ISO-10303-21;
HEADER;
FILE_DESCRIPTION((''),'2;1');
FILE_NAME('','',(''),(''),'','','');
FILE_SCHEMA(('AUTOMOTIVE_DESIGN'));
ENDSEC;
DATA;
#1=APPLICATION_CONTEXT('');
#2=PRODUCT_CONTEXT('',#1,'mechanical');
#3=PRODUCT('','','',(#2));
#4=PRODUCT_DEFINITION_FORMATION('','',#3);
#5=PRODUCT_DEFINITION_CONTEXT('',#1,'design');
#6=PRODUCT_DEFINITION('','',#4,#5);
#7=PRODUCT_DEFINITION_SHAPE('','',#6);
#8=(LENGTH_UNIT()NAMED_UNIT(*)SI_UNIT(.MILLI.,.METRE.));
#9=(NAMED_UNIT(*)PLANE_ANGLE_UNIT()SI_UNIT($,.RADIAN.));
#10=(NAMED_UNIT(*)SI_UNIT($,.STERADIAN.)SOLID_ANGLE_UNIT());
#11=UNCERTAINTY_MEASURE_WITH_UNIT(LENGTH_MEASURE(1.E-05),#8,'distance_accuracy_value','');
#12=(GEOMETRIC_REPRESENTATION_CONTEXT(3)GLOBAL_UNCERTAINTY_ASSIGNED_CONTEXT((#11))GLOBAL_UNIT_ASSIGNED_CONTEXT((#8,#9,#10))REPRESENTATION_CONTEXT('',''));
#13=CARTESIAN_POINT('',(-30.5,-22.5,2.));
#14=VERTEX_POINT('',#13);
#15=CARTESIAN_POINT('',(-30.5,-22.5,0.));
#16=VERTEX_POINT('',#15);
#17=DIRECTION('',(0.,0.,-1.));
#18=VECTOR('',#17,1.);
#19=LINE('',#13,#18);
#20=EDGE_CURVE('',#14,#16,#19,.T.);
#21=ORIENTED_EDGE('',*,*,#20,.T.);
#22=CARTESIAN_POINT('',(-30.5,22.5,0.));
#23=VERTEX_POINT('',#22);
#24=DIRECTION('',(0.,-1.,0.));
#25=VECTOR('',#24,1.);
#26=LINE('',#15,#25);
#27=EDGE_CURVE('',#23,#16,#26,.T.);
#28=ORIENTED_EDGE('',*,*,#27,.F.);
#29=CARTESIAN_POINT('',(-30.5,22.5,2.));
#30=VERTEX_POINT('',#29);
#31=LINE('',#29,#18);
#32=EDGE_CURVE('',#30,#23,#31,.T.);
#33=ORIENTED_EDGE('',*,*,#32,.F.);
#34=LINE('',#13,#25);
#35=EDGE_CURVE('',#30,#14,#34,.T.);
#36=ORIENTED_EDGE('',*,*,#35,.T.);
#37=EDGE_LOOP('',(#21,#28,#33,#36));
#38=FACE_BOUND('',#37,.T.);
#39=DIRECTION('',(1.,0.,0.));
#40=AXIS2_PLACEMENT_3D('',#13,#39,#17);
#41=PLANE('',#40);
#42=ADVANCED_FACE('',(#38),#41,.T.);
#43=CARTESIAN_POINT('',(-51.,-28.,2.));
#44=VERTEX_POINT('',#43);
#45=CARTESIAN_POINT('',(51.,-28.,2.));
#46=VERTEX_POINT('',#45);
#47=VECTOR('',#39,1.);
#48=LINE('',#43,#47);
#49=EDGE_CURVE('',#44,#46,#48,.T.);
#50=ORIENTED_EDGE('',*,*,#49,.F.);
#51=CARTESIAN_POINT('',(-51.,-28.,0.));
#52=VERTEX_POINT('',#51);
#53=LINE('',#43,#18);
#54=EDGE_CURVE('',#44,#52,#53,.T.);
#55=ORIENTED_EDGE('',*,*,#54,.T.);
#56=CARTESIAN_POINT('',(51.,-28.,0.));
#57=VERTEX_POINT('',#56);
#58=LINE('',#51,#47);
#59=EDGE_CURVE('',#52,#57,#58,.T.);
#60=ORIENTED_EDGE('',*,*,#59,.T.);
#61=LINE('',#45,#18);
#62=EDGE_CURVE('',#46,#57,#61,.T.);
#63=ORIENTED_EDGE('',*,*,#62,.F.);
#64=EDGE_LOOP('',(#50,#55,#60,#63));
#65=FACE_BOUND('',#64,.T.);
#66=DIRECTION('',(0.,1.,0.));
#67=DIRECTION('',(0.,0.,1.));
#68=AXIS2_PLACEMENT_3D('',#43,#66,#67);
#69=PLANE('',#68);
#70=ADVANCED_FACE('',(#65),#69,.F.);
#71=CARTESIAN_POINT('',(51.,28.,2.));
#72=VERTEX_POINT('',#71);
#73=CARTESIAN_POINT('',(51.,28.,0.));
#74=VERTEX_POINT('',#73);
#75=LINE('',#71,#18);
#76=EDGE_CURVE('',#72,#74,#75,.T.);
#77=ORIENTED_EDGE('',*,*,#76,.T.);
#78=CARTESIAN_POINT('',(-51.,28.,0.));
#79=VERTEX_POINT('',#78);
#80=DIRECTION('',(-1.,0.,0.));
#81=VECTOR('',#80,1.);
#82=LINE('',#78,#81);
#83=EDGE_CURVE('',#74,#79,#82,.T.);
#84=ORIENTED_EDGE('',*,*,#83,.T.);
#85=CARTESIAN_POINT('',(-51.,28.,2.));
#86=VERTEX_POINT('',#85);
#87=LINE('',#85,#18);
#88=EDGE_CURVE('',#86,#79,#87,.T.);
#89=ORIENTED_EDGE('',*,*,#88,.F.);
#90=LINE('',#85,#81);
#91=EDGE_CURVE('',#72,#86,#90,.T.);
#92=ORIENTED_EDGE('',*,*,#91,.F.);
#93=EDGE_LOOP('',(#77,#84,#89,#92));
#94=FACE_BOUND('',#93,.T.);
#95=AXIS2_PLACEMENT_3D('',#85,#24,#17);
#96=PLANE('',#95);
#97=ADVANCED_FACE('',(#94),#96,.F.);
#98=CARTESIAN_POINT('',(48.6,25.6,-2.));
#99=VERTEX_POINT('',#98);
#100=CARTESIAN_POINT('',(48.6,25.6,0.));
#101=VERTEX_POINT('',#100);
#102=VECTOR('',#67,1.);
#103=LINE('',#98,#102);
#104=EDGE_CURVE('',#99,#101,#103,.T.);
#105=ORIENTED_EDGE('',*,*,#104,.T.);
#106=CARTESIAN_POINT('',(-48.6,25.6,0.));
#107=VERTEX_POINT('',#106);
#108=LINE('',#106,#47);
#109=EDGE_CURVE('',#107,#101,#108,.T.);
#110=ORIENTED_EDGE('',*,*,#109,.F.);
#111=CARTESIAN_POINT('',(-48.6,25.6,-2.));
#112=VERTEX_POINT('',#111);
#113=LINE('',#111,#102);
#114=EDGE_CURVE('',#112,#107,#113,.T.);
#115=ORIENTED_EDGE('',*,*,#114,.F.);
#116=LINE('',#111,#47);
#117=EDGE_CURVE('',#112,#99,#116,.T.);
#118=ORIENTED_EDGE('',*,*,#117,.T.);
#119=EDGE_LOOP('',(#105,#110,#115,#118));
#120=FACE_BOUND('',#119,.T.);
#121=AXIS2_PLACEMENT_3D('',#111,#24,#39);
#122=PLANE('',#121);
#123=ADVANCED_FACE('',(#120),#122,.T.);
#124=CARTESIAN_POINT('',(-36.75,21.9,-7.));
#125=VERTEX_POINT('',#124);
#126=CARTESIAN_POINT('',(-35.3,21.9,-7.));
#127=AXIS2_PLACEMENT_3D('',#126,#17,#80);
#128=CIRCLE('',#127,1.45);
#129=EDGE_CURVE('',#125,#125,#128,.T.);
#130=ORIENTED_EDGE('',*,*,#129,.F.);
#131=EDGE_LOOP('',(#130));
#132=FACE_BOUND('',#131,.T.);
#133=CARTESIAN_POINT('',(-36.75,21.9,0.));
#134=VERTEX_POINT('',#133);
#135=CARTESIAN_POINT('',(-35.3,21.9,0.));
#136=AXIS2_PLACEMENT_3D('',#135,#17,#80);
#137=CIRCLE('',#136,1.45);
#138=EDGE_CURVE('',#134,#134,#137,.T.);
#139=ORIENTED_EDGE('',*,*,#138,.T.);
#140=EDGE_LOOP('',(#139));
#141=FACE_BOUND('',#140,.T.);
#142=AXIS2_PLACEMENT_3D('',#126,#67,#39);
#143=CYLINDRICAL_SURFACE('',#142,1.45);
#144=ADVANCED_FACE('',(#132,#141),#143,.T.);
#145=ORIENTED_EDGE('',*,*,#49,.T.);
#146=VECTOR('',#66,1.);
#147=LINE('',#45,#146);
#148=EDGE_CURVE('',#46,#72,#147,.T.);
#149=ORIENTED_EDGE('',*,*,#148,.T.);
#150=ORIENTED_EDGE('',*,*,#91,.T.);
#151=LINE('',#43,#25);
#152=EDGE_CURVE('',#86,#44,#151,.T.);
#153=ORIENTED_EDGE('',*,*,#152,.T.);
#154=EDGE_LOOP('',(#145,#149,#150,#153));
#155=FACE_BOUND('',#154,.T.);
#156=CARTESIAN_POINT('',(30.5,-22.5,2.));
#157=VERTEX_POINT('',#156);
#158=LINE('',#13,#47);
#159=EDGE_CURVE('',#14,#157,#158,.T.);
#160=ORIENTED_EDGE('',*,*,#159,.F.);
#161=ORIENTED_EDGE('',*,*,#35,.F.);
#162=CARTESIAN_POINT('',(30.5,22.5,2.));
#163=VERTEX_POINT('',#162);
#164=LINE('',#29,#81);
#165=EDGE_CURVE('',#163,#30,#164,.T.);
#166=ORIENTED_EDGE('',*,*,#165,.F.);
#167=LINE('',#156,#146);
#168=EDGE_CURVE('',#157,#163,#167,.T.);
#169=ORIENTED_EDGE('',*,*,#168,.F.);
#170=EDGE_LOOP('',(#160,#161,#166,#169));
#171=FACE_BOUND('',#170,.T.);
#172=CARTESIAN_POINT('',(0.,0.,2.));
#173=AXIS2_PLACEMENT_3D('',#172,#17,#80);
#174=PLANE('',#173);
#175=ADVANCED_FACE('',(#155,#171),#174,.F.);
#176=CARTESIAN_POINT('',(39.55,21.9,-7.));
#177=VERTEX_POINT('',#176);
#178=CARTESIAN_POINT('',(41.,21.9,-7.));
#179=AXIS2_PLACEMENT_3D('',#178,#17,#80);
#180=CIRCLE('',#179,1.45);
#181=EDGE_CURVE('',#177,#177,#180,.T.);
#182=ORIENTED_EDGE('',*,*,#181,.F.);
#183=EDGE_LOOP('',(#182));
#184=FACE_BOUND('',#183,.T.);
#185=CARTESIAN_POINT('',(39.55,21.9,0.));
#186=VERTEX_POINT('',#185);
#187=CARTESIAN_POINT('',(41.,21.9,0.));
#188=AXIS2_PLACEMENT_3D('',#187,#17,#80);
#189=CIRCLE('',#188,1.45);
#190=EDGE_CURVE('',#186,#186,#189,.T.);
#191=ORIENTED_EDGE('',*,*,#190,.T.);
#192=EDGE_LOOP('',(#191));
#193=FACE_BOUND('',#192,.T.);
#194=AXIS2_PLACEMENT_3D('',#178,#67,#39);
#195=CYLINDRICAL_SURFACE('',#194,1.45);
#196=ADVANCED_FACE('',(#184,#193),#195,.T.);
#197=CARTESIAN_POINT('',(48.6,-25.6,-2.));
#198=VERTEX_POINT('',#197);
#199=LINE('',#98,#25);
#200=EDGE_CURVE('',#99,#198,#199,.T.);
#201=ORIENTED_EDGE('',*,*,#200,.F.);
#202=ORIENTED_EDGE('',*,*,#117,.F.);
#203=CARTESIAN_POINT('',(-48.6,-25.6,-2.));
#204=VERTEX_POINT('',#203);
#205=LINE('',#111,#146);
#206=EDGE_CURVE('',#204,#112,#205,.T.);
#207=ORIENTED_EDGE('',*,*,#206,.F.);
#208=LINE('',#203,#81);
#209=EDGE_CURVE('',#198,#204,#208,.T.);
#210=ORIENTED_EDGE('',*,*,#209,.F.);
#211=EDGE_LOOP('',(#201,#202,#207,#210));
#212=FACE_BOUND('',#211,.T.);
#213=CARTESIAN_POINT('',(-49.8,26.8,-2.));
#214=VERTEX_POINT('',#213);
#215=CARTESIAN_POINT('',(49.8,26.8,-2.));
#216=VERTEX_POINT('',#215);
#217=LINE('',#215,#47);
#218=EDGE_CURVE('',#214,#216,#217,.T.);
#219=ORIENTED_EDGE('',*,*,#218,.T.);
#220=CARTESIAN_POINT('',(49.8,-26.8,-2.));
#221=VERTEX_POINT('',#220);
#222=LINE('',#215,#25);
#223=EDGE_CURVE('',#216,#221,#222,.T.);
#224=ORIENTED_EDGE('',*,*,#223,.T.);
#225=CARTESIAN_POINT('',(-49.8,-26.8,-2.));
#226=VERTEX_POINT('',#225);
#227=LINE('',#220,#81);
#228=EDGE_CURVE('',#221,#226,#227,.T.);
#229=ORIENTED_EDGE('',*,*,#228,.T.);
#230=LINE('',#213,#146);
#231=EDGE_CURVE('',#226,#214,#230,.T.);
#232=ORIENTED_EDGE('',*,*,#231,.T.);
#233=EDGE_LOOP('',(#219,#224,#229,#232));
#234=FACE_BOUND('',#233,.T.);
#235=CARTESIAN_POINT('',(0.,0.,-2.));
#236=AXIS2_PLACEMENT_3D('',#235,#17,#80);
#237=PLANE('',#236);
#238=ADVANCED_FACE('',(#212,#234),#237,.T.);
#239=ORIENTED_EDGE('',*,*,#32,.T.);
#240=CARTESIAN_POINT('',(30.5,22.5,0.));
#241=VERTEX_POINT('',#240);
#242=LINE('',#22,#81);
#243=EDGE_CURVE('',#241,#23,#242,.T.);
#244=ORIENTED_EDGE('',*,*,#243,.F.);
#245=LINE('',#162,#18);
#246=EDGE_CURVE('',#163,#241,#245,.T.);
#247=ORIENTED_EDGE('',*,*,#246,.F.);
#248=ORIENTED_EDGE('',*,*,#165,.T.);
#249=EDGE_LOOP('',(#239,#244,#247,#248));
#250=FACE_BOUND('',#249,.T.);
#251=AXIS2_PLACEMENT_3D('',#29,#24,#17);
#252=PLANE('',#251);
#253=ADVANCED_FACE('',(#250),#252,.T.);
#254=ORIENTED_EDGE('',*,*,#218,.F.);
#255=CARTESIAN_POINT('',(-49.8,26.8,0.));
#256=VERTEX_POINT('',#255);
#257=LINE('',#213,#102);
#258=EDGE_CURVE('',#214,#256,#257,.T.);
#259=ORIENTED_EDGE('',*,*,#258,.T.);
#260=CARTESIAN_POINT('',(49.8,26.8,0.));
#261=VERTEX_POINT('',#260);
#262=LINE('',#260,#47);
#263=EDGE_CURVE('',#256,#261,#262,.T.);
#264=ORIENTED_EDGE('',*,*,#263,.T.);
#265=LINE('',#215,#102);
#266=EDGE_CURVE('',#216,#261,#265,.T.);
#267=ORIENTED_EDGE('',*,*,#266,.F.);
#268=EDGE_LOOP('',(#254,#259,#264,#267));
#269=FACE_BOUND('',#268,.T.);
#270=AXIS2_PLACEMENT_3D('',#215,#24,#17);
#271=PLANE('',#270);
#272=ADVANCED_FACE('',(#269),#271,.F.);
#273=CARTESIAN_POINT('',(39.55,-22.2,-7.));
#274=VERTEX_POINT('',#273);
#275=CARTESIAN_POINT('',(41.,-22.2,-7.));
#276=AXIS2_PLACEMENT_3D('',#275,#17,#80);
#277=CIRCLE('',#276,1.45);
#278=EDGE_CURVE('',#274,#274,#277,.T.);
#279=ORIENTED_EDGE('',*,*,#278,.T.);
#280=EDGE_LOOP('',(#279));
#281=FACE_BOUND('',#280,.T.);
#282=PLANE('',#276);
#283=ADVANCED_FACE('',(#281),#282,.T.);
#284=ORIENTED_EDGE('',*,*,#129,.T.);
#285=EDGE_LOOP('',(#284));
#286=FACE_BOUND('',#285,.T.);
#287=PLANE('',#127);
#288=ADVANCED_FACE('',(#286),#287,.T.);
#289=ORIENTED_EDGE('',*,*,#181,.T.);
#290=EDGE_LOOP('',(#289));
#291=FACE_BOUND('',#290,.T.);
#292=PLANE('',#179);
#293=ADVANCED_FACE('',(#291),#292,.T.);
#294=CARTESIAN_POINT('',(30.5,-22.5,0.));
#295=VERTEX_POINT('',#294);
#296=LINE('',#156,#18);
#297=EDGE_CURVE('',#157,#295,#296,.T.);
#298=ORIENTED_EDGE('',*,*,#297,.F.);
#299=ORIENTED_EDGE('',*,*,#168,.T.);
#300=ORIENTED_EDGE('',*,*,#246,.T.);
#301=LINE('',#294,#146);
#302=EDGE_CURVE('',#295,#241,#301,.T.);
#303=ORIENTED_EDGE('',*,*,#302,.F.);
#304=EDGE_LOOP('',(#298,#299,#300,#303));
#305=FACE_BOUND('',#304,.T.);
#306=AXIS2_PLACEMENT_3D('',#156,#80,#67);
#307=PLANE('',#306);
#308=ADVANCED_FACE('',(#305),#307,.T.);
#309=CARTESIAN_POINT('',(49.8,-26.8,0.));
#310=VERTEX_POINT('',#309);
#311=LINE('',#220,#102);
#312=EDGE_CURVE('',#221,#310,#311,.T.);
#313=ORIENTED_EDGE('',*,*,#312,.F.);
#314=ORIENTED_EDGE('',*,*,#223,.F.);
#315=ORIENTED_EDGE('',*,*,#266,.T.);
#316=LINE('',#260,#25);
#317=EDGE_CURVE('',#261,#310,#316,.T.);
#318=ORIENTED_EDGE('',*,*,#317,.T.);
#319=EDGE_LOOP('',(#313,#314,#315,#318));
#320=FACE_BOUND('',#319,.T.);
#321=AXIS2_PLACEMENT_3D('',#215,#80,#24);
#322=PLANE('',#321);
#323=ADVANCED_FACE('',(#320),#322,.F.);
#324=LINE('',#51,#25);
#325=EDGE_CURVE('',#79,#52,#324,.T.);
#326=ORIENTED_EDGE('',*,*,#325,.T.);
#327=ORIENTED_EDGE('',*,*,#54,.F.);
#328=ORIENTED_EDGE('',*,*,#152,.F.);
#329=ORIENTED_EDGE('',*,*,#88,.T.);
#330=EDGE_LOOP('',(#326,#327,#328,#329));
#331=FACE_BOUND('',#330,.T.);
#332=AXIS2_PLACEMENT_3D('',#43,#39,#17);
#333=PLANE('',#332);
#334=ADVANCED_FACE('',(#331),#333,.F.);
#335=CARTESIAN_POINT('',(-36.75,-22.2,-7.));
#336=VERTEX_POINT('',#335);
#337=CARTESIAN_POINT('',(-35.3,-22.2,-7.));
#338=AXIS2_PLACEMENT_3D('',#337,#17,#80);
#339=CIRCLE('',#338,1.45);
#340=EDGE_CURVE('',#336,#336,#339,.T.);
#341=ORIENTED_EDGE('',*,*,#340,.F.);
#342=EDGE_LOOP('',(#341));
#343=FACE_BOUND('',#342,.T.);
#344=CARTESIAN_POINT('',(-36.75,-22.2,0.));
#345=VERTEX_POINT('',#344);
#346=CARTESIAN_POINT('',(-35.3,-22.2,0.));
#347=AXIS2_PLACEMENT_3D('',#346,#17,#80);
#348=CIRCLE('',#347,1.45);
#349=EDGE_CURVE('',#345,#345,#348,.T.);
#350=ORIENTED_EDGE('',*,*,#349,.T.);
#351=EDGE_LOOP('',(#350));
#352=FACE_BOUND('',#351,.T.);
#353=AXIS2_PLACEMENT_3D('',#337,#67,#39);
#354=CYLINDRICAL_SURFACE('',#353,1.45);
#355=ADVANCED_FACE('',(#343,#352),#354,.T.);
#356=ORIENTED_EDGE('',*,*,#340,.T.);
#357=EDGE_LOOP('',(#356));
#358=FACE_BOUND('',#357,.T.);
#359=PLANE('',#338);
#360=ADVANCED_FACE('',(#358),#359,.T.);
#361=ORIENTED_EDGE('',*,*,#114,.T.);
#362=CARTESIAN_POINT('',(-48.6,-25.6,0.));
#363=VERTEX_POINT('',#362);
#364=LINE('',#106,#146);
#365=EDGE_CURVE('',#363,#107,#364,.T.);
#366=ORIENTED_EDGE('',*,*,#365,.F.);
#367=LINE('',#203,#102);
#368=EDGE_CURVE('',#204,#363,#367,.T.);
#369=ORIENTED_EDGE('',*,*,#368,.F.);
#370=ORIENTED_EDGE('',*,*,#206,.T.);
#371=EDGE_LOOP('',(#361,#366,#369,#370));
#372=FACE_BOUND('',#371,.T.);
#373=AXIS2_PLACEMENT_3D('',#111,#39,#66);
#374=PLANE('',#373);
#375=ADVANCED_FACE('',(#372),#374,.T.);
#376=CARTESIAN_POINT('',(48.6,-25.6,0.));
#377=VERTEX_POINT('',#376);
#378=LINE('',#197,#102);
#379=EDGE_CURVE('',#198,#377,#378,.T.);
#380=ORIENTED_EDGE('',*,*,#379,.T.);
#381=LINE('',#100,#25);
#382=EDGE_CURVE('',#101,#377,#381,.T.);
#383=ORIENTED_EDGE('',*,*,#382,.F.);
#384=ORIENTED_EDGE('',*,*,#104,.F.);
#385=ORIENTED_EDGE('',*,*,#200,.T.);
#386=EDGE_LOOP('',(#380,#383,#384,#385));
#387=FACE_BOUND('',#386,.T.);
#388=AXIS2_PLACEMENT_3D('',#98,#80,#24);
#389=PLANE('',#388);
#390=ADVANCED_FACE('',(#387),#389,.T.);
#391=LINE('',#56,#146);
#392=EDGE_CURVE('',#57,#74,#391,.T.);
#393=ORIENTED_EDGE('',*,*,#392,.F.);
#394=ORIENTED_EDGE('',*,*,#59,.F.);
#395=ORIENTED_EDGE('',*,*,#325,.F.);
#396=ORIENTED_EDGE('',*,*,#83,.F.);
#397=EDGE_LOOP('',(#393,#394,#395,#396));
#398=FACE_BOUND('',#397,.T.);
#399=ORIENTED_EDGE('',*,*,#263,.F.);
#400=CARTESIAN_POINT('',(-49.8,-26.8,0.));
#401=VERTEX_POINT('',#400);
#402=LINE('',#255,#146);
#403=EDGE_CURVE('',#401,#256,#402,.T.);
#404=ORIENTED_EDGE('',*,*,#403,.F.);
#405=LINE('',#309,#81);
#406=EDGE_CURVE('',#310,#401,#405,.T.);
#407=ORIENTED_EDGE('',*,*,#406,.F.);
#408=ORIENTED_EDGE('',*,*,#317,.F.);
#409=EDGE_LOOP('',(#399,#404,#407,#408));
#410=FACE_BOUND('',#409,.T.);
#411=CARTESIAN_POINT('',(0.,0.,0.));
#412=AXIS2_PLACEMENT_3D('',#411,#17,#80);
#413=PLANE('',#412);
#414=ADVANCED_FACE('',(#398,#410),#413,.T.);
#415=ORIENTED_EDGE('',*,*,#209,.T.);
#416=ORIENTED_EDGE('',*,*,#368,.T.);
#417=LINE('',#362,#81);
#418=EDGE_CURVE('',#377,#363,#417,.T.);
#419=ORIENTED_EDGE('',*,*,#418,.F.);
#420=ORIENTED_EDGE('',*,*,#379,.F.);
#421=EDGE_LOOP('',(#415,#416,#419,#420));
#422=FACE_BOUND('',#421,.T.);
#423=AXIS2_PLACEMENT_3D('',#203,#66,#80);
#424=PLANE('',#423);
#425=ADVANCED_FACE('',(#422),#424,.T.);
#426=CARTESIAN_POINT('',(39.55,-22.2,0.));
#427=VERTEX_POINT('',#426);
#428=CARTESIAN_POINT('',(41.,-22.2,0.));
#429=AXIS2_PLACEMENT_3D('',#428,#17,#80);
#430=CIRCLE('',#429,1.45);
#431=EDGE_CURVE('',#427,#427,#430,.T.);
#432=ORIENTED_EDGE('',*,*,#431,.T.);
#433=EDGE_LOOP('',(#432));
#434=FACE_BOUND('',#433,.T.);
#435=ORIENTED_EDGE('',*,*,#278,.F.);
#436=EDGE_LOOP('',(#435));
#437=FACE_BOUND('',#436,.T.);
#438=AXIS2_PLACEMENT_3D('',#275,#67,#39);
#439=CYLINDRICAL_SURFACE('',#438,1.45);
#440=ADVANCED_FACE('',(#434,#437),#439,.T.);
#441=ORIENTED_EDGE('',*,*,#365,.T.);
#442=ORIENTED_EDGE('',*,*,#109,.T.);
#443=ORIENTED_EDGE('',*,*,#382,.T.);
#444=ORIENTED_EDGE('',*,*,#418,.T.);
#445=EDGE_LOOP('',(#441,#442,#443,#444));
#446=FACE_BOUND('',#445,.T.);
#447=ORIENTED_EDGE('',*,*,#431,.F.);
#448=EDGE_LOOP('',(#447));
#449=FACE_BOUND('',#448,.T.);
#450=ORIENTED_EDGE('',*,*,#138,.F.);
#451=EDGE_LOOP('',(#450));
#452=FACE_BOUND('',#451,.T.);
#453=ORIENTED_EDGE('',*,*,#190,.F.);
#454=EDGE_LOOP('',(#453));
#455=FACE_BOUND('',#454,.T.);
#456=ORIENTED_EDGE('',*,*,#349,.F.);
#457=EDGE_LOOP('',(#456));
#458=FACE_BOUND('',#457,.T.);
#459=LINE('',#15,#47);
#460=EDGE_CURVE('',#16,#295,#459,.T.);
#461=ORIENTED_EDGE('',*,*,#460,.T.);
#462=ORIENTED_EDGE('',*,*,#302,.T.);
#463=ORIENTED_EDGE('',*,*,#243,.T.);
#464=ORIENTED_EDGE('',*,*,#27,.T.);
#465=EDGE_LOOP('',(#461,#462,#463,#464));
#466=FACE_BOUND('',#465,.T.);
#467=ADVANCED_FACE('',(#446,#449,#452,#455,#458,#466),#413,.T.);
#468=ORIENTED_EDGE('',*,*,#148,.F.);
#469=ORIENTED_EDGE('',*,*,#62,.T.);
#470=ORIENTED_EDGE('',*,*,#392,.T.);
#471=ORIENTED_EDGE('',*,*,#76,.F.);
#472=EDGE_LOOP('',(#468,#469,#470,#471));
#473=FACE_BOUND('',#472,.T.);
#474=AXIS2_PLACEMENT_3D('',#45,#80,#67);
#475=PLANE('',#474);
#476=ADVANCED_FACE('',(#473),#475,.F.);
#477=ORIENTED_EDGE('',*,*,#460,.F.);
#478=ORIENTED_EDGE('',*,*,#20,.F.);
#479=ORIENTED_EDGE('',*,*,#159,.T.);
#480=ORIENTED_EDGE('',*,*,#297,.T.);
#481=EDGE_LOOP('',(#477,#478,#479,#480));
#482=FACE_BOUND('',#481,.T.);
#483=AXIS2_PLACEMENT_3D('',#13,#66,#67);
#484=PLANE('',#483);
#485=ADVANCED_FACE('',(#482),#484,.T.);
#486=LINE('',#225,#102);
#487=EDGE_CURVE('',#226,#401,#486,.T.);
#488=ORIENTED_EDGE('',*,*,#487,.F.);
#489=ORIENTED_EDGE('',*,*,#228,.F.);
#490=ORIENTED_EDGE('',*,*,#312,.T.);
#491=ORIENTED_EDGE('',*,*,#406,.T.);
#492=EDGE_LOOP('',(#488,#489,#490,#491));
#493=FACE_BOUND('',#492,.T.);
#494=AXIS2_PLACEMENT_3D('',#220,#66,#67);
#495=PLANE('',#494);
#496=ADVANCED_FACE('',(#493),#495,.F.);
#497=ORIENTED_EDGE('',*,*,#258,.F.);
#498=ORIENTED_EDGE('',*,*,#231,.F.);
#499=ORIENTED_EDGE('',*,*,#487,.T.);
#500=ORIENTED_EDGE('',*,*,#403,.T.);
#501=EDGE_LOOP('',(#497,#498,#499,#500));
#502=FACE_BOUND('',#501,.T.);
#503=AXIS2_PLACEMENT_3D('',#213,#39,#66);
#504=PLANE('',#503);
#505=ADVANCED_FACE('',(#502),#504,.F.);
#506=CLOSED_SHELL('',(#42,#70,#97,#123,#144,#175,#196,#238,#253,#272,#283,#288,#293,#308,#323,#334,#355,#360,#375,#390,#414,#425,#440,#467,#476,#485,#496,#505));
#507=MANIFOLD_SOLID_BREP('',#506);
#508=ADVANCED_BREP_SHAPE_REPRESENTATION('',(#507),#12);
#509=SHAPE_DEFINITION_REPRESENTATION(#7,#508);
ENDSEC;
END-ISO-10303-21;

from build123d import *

# Parameters (mm, degrees)
SKETCH1_W         = 102
SKETCH1_H         = 56
SKETCH1_W_2       = 61
SKETCH1_H_2       = 45
FRONT_DEPTH       = 2
SKETCH2_W         = 99.6
SKETCH2_H         = 53.6
SKETCH2_W_2       = 97.2
SKETCH2_H_2       = 51.2
WALLS_DEPTH       = 2
SKETCH3_R         = 1.45
SCREW_SPOTS_DEPTH = 7


with BuildPart() as part:
    # Sketch1 → Front (new body)
    with BuildSketch(Plane.XY):
        Rectangle(SKETCH1_W, SKETCH1_H)
        Rectangle(SKETCH1_W_2, SKETCH1_H_2, mode=Mode.SUBTRACT)
    extrude(amount=FRONT_DEPTH)

    # Sketch2 → WALLS (add)
    with BuildSketch(Plane(origin=(0, 0, 0), x_dir=(-1, 0, 0), z_dir=(0, 0, -1))):
        Rectangle(SKETCH2_W, SKETCH2_H)
        Rectangle(SKETCH2_W_2, SKETCH2_H_2, mode=Mode.SUBTRACT)
    extrude(amount=WALLS_DEPTH)

    # Sketch3 → SCREW_SPOTS (add)
    with BuildSketch(Plane(origin=(0, 0, 0), x_dir=(-1, 0, 0), z_dir=(0, 0, -1))):
        with Locations((-41, 21.9)):
            Circle(SKETCH3_R)
        with Locations((35.3, 21.9)):
            Circle(SKETCH3_R)
        with Locations((-41, -22.2)):
            Circle(SKETCH3_R)
        with Locations((35.3, -22.2)):
            Circle(SKETCH3_R)
    extrude(amount=SCREW_SPOTS_DEPTH)


solid = part.part
